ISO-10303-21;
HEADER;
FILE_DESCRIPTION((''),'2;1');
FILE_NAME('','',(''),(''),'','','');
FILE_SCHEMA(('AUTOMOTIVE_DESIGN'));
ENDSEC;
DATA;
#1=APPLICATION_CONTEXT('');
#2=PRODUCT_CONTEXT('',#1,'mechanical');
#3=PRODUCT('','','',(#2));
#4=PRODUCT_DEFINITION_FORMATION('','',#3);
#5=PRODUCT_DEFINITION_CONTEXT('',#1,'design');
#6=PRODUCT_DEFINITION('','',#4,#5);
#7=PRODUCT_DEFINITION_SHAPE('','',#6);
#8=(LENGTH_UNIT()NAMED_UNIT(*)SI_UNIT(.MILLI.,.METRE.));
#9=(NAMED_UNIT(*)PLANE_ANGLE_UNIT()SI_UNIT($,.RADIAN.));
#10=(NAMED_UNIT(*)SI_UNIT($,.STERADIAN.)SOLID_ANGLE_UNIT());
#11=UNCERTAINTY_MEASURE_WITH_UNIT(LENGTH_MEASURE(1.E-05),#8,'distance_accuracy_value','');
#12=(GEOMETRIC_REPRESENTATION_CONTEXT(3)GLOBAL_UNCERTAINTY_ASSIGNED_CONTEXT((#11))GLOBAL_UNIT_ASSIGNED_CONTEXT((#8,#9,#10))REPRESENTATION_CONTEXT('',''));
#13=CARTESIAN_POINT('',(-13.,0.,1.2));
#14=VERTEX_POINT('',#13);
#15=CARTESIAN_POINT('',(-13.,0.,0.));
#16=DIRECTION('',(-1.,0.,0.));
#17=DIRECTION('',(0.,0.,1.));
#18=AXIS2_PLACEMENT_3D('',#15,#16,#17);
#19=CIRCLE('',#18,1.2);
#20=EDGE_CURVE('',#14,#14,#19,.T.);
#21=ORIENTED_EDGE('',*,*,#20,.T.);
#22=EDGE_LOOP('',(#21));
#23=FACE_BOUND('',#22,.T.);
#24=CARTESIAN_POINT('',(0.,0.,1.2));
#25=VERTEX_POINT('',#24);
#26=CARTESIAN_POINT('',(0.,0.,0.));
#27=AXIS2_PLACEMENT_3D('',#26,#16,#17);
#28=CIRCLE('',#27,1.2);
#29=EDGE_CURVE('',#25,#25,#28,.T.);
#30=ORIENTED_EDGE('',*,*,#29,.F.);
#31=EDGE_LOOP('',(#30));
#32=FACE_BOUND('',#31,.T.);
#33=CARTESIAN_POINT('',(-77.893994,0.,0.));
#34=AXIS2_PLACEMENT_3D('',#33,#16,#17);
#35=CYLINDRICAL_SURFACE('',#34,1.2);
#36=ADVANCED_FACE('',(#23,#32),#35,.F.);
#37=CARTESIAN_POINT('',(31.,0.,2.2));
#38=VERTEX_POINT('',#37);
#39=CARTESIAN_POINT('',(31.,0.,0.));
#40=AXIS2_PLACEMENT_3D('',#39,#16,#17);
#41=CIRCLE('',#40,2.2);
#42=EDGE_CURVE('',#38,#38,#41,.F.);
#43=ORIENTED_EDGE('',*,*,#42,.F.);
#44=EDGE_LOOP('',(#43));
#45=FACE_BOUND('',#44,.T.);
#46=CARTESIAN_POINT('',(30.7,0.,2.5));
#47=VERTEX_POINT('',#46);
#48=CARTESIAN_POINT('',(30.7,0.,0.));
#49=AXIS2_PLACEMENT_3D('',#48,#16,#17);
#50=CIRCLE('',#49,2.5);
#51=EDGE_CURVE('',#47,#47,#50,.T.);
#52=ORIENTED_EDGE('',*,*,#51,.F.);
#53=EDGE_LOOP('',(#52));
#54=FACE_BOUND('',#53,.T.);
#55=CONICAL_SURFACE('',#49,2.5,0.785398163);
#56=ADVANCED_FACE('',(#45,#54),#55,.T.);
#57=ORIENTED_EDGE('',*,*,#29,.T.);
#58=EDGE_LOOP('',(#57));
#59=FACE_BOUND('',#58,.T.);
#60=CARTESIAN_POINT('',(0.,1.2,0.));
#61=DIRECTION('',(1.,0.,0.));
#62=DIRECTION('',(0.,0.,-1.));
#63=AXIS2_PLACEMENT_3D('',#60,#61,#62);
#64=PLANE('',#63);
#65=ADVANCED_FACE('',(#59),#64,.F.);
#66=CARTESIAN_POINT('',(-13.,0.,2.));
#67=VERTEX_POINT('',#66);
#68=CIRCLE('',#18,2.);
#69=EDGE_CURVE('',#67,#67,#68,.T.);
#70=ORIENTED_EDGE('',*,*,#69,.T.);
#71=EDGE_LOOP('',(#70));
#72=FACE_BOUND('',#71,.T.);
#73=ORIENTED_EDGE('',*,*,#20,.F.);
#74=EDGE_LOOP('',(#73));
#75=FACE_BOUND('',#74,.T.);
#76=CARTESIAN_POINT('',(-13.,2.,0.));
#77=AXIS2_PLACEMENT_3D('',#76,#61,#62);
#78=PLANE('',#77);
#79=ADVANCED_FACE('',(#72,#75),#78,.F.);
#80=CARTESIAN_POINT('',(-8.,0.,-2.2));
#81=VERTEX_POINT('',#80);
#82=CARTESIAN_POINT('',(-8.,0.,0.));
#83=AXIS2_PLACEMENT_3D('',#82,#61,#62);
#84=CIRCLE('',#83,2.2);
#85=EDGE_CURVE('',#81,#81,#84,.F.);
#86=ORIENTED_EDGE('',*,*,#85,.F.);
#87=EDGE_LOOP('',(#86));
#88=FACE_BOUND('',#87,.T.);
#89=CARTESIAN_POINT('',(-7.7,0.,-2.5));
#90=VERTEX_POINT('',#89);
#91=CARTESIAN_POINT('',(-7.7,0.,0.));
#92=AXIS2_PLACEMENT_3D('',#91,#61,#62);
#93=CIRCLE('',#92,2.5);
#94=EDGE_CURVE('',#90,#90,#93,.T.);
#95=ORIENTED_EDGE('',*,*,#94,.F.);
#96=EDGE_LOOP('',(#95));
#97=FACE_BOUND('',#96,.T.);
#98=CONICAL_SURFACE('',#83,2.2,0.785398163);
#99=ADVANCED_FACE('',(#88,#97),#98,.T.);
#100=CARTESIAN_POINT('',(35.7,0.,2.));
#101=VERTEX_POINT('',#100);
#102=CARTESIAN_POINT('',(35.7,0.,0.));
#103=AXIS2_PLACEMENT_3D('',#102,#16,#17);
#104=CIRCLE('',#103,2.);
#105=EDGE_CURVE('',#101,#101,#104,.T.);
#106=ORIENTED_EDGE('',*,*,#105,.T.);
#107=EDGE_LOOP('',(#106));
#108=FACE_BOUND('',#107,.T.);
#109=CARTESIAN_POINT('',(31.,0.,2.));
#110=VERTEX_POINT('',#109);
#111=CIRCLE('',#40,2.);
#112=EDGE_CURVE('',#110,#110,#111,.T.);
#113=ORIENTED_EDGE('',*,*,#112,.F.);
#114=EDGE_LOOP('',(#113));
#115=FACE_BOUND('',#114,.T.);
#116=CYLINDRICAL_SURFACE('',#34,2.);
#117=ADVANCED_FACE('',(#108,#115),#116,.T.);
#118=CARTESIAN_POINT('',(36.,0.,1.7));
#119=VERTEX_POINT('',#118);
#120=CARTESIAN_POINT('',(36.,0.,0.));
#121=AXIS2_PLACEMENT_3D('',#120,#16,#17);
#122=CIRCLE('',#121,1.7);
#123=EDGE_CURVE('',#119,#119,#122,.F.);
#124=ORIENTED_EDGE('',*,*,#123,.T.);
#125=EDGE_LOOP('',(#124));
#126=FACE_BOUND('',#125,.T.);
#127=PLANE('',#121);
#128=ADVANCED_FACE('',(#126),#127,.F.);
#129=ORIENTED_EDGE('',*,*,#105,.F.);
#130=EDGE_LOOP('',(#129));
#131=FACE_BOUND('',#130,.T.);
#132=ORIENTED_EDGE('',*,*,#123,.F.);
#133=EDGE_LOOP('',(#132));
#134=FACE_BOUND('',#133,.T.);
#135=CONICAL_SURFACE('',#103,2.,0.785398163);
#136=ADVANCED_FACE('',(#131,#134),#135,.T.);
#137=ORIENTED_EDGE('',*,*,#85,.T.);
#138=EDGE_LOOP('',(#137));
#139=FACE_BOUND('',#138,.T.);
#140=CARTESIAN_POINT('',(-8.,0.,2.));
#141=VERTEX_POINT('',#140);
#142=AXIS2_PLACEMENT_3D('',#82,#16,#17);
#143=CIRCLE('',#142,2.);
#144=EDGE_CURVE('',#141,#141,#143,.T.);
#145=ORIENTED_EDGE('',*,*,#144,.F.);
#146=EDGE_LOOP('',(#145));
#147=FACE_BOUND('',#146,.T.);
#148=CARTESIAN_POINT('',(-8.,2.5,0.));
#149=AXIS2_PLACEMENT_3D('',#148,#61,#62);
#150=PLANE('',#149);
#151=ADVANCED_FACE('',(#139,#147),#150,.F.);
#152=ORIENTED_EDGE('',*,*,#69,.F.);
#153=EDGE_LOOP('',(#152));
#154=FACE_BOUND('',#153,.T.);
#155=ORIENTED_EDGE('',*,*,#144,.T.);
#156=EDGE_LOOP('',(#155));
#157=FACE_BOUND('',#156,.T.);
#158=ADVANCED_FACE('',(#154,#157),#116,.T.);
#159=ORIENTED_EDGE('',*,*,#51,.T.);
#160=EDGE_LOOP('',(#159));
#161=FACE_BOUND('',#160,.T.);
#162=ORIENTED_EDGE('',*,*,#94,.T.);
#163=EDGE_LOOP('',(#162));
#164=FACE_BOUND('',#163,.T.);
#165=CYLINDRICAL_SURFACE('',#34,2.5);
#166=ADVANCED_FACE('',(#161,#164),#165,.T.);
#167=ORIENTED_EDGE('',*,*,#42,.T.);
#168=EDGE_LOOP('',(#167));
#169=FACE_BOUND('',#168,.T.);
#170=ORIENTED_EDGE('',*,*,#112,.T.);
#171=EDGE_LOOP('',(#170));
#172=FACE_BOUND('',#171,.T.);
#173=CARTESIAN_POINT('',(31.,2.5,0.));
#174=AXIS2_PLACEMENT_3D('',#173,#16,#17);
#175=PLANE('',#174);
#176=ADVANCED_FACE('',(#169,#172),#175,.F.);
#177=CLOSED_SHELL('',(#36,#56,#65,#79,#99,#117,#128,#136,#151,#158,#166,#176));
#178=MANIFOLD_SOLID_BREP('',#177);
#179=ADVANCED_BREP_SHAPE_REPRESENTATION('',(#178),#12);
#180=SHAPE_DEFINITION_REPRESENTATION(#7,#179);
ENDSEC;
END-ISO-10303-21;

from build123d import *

# Parameters (mm, degrees)
CHANFREIN1_SIZE = 0.3


with BuildPart() as part:
    # Esquisse1 → Révolution1 (revolve)
    with BuildSketch(Plane.XY, mode=Mode.PRIVATE) as r_volution1_sk:
        Polygon((36, 0), (36, 2), (31, 2), (31, 2.5), (-8, 2.5), (-8, 2), (-13, 2), (-13, 1.2), (0, 1.2), (0, 0), align=None)
    revolve(r_volution1_sk.sketch.rotate(Axis((-77.893994415, 0, 0), (1, 0, 0)), 90), axis=Axis((-77.893994415, 0, 0), (1, 0, 0)))

    # Chanfrein1
    chanfrein1_edges = [part.edges().sort_by_distance(p)[0] for p in [
        (36, 0, -2),
        (-8, 0, -2.5),
        (31, 0, -2.5),
    ]]
    chamfer(chanfrein1_edges, length=CHANFREIN1_SIZE)


solid = part.part
